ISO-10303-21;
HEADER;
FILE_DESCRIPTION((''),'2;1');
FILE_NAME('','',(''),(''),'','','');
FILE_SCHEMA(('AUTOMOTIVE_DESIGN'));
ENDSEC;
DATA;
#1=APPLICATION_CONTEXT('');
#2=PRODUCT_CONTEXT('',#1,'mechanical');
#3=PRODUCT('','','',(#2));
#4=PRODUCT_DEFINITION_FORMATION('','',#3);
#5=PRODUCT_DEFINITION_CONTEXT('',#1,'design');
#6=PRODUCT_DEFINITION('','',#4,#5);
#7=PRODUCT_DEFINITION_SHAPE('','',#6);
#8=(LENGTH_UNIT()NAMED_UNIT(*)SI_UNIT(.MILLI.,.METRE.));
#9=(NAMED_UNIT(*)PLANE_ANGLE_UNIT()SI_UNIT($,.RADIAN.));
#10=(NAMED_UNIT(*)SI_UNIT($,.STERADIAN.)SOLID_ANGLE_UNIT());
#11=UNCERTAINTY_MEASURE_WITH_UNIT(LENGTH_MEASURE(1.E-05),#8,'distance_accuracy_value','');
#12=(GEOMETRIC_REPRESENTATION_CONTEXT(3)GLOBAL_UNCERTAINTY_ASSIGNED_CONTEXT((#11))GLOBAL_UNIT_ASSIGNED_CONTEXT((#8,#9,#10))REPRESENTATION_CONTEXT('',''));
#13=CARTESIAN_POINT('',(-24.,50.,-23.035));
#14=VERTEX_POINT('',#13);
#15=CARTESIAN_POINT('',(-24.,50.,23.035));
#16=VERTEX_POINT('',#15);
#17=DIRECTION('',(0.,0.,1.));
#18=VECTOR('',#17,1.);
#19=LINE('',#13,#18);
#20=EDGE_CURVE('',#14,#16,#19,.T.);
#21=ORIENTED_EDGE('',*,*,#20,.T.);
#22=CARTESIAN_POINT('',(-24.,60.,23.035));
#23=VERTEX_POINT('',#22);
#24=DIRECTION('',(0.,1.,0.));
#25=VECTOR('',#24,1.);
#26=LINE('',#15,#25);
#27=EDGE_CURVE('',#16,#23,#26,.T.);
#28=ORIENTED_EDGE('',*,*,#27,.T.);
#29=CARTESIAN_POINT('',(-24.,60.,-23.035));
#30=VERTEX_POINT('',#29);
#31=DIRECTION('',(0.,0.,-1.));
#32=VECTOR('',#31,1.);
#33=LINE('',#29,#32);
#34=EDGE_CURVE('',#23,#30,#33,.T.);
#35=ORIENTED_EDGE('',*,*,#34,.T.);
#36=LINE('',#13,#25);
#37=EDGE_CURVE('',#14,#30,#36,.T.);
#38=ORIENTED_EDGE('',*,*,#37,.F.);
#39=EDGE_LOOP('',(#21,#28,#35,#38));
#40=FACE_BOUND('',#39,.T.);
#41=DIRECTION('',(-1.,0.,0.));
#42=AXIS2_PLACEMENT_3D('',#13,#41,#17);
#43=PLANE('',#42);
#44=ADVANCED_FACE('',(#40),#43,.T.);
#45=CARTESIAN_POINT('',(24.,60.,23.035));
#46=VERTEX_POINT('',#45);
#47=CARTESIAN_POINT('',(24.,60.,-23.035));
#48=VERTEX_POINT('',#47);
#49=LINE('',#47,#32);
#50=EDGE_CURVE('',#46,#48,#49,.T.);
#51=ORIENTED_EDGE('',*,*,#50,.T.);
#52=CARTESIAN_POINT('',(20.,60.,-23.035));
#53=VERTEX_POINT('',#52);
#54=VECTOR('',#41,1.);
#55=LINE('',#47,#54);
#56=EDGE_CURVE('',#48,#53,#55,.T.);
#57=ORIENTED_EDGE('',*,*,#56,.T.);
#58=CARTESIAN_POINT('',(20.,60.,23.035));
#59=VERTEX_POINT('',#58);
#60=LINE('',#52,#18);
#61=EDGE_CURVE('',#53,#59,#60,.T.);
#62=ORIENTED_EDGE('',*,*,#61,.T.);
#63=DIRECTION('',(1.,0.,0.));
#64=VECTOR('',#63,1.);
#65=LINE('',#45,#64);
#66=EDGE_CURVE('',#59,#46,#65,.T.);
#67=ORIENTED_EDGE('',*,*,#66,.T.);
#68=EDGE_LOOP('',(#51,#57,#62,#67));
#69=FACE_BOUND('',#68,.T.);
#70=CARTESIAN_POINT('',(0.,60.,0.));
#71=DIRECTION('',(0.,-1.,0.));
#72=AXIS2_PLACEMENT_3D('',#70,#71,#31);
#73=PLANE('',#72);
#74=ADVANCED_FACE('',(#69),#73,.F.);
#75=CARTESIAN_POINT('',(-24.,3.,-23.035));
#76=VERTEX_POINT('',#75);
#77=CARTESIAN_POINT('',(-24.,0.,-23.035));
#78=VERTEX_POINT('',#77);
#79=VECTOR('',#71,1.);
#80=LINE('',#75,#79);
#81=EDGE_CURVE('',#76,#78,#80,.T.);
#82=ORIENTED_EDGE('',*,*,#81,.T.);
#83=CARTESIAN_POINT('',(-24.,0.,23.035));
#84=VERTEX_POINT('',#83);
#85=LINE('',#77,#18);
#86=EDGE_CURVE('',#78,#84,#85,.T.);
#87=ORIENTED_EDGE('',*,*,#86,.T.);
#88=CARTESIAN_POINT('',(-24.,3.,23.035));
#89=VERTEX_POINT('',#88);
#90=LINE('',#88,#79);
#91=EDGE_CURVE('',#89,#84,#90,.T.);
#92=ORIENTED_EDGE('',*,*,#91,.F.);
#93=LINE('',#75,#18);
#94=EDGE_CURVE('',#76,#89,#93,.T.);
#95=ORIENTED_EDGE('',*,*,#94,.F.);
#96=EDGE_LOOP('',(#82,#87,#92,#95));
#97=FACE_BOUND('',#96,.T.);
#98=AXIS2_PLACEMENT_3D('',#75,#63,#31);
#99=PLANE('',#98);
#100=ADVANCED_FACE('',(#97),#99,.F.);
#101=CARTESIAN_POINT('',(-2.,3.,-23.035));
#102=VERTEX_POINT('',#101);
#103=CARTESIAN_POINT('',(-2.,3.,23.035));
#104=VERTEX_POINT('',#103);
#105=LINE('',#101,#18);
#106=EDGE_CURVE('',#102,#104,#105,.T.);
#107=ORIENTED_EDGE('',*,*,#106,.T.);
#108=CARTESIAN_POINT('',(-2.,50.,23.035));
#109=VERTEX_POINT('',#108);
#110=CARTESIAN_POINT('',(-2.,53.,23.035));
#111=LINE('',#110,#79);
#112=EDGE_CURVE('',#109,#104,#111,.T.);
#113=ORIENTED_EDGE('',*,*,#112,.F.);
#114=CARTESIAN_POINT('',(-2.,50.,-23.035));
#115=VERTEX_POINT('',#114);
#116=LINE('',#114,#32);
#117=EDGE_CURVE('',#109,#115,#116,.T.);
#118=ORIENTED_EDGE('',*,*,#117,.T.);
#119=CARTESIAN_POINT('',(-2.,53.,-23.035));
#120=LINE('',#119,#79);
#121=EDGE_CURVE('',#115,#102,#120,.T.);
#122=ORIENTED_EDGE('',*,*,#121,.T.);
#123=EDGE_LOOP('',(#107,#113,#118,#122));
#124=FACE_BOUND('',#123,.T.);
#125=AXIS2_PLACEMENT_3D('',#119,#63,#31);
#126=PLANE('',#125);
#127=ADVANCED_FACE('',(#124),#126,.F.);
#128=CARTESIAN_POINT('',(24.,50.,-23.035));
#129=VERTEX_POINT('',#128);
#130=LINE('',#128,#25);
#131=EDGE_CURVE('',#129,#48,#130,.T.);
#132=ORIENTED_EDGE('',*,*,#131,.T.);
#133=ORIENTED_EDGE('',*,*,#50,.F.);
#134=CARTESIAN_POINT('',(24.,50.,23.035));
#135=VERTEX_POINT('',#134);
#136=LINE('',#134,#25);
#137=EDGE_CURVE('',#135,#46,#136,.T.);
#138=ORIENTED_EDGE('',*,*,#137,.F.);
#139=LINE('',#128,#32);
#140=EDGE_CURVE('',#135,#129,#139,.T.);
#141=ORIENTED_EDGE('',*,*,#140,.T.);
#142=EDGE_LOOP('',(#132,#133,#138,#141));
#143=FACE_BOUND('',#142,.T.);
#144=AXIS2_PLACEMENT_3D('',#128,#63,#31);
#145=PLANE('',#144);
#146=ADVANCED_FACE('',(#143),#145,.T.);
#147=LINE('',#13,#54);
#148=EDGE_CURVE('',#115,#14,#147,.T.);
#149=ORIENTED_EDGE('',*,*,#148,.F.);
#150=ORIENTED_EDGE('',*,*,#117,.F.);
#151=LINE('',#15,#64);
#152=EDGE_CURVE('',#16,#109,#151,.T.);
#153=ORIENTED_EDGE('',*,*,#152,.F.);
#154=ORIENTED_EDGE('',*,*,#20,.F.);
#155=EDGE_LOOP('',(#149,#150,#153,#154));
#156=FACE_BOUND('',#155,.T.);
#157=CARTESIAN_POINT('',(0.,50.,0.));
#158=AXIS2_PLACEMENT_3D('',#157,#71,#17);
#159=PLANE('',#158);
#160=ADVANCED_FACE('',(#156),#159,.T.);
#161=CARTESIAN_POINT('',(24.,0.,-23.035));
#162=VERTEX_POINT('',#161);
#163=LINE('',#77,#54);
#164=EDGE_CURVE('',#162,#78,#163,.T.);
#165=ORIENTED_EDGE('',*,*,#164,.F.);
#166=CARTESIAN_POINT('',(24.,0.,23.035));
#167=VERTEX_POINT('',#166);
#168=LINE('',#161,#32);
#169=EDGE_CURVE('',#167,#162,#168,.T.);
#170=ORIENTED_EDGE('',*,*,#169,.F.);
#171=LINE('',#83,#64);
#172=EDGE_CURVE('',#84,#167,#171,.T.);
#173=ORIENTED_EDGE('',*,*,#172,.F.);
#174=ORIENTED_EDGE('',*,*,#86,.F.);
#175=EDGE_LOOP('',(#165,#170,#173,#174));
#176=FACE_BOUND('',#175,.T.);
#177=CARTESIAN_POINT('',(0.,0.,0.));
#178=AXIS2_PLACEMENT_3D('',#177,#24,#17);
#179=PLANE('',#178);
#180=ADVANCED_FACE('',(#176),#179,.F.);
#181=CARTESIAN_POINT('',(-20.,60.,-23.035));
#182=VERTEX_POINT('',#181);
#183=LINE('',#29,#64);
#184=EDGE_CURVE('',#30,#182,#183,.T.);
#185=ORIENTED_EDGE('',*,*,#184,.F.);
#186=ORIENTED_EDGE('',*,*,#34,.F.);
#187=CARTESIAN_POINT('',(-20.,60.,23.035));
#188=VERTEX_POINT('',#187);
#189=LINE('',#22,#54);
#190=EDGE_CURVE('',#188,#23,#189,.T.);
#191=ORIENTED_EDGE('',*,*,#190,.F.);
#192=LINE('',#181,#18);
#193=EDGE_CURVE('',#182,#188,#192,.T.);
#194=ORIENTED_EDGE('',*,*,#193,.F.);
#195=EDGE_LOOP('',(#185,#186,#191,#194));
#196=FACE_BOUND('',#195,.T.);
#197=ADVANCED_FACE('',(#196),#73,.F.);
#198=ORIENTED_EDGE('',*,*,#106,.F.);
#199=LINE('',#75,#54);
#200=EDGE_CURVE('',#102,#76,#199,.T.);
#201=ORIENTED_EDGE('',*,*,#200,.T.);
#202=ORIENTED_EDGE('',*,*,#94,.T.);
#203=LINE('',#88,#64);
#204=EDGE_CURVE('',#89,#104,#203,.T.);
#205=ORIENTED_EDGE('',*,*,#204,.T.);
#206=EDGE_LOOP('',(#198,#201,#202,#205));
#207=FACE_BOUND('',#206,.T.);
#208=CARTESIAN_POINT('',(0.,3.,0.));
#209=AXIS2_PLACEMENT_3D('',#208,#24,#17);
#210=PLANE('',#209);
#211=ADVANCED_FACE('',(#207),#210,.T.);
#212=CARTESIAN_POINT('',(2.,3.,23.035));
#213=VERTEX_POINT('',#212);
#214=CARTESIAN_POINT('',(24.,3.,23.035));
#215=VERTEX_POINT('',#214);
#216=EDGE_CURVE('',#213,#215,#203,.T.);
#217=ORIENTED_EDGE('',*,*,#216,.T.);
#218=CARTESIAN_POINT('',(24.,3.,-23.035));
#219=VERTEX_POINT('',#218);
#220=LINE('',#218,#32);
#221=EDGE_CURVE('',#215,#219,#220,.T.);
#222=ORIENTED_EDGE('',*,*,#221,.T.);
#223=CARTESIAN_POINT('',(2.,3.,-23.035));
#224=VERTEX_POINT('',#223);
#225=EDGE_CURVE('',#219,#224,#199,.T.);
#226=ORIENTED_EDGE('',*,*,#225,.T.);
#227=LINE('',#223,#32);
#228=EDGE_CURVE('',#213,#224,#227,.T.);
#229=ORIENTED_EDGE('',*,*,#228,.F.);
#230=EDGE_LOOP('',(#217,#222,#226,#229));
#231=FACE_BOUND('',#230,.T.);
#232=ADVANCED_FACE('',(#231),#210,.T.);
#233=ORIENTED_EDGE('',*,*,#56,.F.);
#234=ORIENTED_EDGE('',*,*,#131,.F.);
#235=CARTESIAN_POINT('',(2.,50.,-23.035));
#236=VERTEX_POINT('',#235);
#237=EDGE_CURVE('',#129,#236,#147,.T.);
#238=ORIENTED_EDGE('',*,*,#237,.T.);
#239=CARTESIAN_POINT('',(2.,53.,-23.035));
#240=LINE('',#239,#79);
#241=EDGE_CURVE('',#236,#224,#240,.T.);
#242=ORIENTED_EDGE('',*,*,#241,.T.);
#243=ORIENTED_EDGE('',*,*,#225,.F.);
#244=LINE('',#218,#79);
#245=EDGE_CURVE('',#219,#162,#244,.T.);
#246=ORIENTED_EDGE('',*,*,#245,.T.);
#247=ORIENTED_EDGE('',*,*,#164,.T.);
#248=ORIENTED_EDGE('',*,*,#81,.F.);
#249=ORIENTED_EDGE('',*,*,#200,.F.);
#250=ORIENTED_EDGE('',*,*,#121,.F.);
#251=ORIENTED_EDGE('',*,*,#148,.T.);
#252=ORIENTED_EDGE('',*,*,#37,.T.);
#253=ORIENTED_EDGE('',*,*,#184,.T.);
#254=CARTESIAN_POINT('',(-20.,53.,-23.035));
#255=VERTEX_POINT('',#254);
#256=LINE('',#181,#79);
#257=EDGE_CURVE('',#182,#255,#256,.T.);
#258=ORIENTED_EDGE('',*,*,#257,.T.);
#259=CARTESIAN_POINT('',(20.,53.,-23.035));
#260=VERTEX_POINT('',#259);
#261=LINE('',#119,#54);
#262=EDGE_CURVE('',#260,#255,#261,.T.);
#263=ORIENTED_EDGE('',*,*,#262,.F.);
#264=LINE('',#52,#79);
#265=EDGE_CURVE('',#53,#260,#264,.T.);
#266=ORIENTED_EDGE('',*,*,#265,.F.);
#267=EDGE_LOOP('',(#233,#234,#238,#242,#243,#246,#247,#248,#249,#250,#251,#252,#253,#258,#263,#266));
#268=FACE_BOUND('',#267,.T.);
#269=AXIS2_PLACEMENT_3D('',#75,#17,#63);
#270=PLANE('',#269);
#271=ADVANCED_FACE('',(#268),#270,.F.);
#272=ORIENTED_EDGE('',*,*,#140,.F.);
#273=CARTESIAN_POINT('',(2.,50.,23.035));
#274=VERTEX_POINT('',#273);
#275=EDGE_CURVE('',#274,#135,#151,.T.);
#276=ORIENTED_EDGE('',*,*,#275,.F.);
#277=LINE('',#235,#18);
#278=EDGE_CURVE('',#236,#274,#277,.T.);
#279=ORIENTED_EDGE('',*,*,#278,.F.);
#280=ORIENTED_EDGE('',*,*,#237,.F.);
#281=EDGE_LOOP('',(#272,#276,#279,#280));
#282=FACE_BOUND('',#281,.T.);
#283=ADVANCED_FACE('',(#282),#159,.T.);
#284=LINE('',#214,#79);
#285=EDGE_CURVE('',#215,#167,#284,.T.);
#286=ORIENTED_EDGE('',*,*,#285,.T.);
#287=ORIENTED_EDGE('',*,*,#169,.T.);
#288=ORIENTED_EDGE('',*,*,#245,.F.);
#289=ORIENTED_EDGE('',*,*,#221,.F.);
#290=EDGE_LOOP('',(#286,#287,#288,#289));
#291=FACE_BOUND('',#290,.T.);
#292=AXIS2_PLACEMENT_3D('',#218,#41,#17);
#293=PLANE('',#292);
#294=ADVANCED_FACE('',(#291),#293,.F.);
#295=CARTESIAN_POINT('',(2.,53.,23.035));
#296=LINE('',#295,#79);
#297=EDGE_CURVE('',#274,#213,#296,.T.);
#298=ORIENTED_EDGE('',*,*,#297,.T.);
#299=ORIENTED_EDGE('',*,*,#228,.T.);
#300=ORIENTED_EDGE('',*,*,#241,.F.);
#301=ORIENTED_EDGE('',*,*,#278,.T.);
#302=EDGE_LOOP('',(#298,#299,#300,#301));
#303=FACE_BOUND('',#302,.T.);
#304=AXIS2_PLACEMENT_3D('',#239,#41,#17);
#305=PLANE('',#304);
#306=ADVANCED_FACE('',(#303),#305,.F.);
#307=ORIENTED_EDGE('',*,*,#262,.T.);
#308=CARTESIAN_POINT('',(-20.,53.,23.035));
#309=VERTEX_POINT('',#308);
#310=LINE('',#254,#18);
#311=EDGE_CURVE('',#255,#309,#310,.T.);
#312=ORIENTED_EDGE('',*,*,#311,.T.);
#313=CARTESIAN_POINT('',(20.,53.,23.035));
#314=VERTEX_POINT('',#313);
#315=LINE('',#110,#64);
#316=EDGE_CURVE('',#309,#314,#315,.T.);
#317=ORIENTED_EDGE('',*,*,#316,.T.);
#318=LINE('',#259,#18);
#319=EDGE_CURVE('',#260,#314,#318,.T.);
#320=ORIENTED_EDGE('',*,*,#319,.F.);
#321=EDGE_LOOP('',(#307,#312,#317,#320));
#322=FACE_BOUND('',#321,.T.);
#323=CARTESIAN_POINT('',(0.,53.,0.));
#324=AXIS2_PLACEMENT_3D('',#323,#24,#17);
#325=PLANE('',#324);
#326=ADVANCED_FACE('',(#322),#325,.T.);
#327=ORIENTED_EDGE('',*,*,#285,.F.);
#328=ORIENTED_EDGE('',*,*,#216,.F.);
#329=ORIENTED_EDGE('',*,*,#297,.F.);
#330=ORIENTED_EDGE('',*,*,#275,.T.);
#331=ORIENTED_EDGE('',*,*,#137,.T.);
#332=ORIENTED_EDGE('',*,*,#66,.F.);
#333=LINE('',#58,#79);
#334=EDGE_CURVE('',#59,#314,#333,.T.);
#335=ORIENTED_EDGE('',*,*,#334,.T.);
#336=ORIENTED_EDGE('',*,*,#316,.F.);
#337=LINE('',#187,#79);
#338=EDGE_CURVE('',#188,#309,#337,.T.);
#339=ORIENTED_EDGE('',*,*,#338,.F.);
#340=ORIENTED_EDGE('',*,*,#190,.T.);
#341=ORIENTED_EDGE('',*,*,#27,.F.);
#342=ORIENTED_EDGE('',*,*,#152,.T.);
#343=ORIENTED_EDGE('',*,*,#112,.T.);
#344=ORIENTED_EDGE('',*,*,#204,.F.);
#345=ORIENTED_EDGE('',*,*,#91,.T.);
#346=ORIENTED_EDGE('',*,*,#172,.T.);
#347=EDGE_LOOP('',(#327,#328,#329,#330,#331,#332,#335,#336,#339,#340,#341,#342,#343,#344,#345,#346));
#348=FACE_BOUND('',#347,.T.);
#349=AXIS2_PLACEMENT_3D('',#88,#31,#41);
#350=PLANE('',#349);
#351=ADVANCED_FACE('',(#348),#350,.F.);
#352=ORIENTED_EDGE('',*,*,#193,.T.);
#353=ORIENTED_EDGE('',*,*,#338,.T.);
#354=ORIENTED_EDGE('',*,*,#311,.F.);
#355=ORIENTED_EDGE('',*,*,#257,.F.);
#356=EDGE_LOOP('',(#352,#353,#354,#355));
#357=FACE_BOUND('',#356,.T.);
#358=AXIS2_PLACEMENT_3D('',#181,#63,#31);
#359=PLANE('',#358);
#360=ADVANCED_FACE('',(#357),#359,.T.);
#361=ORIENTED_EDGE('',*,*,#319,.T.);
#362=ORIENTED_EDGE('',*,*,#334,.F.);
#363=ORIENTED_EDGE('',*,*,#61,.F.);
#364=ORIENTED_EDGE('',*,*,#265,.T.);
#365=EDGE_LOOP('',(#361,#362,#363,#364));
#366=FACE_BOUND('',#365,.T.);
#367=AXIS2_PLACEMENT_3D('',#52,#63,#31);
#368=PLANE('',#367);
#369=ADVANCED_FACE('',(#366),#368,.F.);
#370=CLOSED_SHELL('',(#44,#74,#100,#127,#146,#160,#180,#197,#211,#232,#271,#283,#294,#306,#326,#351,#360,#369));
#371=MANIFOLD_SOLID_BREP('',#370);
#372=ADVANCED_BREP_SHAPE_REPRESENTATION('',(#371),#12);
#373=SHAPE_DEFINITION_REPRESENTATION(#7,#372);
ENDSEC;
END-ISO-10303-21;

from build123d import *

# Parameters (mm, degrees)
IZIM1_W                     = 48
IZIM1_H                     = 46.07
Y_KSEKLIK_EKSTR_ZYON1_DEPTH = 3
IZIM2_W                     = 4
IZIM2_H                     = 46.07
Y_KSEKLIK_EKSTR_ZYON2_DEPTH = 50
IZIM3_W                     = 4
IZIM3_H                     = 46.07
Y_KSEKLIK_EKSTR_ZYON3_DEPTH = 7


with BuildPart() as part:
    # Çizim1 → Yükseklik-Ekstrüzyon1 (new body)
    with BuildSketch(Plane(origin=(0, 0, 0), x_dir=(1, 0, 0), z_dir=(0, 1, 0))):
        Rectangle(IZIM1_W, IZIM1_H)
    y_kseklik_ekstr_zyon1 = extrude(amount=Y_KSEKLIK_EKSTR_ZYON1_DEPTH)

    # Çizim2 → Yükseklik-Ekstrüzyon2 (add)
    with BuildSketch(Plane(origin=(0, 3, 0), x_dir=(1, 0, 0), z_dir=(0, 1, 0))):
        Rectangle(IZIM2_W, IZIM2_H)
    extrude(amount=Y_KSEKLIK_EKSTR_ZYON2_DEPTH)

    # Aynalama1: Yükseklik-Ekstrüzyon1 across plane
    add(y_kseklik_ekstr_zyon1.mirror(Plane.ZX.offset(26.5)))

    # Çizim3 → Yükseklik-Ekstrüzyon3 (add)
    with BuildSketch(Plane(origin=(0, 53, 0), x_dir=(1, 0, 0), z_dir=(0, 1, 0))):
        with Locations((22, 0)):
            Rectangle(IZIM3_W, IZIM3_H)
    y_kseklik_ekstr_zyon3 = extrude(amount=Y_KSEKLIK_EKSTR_ZYON3_DEPTH)

    # Aynalama2: Yükseklik-Ekstrüzyon3 across plane
    add(y_kseklik_ekstr_zyon3.mirror(Plane(origin=(0, 0, 0), x_dir=(0, 0, 1), z_dir=(1, 0, 0))))


solid = part.part
